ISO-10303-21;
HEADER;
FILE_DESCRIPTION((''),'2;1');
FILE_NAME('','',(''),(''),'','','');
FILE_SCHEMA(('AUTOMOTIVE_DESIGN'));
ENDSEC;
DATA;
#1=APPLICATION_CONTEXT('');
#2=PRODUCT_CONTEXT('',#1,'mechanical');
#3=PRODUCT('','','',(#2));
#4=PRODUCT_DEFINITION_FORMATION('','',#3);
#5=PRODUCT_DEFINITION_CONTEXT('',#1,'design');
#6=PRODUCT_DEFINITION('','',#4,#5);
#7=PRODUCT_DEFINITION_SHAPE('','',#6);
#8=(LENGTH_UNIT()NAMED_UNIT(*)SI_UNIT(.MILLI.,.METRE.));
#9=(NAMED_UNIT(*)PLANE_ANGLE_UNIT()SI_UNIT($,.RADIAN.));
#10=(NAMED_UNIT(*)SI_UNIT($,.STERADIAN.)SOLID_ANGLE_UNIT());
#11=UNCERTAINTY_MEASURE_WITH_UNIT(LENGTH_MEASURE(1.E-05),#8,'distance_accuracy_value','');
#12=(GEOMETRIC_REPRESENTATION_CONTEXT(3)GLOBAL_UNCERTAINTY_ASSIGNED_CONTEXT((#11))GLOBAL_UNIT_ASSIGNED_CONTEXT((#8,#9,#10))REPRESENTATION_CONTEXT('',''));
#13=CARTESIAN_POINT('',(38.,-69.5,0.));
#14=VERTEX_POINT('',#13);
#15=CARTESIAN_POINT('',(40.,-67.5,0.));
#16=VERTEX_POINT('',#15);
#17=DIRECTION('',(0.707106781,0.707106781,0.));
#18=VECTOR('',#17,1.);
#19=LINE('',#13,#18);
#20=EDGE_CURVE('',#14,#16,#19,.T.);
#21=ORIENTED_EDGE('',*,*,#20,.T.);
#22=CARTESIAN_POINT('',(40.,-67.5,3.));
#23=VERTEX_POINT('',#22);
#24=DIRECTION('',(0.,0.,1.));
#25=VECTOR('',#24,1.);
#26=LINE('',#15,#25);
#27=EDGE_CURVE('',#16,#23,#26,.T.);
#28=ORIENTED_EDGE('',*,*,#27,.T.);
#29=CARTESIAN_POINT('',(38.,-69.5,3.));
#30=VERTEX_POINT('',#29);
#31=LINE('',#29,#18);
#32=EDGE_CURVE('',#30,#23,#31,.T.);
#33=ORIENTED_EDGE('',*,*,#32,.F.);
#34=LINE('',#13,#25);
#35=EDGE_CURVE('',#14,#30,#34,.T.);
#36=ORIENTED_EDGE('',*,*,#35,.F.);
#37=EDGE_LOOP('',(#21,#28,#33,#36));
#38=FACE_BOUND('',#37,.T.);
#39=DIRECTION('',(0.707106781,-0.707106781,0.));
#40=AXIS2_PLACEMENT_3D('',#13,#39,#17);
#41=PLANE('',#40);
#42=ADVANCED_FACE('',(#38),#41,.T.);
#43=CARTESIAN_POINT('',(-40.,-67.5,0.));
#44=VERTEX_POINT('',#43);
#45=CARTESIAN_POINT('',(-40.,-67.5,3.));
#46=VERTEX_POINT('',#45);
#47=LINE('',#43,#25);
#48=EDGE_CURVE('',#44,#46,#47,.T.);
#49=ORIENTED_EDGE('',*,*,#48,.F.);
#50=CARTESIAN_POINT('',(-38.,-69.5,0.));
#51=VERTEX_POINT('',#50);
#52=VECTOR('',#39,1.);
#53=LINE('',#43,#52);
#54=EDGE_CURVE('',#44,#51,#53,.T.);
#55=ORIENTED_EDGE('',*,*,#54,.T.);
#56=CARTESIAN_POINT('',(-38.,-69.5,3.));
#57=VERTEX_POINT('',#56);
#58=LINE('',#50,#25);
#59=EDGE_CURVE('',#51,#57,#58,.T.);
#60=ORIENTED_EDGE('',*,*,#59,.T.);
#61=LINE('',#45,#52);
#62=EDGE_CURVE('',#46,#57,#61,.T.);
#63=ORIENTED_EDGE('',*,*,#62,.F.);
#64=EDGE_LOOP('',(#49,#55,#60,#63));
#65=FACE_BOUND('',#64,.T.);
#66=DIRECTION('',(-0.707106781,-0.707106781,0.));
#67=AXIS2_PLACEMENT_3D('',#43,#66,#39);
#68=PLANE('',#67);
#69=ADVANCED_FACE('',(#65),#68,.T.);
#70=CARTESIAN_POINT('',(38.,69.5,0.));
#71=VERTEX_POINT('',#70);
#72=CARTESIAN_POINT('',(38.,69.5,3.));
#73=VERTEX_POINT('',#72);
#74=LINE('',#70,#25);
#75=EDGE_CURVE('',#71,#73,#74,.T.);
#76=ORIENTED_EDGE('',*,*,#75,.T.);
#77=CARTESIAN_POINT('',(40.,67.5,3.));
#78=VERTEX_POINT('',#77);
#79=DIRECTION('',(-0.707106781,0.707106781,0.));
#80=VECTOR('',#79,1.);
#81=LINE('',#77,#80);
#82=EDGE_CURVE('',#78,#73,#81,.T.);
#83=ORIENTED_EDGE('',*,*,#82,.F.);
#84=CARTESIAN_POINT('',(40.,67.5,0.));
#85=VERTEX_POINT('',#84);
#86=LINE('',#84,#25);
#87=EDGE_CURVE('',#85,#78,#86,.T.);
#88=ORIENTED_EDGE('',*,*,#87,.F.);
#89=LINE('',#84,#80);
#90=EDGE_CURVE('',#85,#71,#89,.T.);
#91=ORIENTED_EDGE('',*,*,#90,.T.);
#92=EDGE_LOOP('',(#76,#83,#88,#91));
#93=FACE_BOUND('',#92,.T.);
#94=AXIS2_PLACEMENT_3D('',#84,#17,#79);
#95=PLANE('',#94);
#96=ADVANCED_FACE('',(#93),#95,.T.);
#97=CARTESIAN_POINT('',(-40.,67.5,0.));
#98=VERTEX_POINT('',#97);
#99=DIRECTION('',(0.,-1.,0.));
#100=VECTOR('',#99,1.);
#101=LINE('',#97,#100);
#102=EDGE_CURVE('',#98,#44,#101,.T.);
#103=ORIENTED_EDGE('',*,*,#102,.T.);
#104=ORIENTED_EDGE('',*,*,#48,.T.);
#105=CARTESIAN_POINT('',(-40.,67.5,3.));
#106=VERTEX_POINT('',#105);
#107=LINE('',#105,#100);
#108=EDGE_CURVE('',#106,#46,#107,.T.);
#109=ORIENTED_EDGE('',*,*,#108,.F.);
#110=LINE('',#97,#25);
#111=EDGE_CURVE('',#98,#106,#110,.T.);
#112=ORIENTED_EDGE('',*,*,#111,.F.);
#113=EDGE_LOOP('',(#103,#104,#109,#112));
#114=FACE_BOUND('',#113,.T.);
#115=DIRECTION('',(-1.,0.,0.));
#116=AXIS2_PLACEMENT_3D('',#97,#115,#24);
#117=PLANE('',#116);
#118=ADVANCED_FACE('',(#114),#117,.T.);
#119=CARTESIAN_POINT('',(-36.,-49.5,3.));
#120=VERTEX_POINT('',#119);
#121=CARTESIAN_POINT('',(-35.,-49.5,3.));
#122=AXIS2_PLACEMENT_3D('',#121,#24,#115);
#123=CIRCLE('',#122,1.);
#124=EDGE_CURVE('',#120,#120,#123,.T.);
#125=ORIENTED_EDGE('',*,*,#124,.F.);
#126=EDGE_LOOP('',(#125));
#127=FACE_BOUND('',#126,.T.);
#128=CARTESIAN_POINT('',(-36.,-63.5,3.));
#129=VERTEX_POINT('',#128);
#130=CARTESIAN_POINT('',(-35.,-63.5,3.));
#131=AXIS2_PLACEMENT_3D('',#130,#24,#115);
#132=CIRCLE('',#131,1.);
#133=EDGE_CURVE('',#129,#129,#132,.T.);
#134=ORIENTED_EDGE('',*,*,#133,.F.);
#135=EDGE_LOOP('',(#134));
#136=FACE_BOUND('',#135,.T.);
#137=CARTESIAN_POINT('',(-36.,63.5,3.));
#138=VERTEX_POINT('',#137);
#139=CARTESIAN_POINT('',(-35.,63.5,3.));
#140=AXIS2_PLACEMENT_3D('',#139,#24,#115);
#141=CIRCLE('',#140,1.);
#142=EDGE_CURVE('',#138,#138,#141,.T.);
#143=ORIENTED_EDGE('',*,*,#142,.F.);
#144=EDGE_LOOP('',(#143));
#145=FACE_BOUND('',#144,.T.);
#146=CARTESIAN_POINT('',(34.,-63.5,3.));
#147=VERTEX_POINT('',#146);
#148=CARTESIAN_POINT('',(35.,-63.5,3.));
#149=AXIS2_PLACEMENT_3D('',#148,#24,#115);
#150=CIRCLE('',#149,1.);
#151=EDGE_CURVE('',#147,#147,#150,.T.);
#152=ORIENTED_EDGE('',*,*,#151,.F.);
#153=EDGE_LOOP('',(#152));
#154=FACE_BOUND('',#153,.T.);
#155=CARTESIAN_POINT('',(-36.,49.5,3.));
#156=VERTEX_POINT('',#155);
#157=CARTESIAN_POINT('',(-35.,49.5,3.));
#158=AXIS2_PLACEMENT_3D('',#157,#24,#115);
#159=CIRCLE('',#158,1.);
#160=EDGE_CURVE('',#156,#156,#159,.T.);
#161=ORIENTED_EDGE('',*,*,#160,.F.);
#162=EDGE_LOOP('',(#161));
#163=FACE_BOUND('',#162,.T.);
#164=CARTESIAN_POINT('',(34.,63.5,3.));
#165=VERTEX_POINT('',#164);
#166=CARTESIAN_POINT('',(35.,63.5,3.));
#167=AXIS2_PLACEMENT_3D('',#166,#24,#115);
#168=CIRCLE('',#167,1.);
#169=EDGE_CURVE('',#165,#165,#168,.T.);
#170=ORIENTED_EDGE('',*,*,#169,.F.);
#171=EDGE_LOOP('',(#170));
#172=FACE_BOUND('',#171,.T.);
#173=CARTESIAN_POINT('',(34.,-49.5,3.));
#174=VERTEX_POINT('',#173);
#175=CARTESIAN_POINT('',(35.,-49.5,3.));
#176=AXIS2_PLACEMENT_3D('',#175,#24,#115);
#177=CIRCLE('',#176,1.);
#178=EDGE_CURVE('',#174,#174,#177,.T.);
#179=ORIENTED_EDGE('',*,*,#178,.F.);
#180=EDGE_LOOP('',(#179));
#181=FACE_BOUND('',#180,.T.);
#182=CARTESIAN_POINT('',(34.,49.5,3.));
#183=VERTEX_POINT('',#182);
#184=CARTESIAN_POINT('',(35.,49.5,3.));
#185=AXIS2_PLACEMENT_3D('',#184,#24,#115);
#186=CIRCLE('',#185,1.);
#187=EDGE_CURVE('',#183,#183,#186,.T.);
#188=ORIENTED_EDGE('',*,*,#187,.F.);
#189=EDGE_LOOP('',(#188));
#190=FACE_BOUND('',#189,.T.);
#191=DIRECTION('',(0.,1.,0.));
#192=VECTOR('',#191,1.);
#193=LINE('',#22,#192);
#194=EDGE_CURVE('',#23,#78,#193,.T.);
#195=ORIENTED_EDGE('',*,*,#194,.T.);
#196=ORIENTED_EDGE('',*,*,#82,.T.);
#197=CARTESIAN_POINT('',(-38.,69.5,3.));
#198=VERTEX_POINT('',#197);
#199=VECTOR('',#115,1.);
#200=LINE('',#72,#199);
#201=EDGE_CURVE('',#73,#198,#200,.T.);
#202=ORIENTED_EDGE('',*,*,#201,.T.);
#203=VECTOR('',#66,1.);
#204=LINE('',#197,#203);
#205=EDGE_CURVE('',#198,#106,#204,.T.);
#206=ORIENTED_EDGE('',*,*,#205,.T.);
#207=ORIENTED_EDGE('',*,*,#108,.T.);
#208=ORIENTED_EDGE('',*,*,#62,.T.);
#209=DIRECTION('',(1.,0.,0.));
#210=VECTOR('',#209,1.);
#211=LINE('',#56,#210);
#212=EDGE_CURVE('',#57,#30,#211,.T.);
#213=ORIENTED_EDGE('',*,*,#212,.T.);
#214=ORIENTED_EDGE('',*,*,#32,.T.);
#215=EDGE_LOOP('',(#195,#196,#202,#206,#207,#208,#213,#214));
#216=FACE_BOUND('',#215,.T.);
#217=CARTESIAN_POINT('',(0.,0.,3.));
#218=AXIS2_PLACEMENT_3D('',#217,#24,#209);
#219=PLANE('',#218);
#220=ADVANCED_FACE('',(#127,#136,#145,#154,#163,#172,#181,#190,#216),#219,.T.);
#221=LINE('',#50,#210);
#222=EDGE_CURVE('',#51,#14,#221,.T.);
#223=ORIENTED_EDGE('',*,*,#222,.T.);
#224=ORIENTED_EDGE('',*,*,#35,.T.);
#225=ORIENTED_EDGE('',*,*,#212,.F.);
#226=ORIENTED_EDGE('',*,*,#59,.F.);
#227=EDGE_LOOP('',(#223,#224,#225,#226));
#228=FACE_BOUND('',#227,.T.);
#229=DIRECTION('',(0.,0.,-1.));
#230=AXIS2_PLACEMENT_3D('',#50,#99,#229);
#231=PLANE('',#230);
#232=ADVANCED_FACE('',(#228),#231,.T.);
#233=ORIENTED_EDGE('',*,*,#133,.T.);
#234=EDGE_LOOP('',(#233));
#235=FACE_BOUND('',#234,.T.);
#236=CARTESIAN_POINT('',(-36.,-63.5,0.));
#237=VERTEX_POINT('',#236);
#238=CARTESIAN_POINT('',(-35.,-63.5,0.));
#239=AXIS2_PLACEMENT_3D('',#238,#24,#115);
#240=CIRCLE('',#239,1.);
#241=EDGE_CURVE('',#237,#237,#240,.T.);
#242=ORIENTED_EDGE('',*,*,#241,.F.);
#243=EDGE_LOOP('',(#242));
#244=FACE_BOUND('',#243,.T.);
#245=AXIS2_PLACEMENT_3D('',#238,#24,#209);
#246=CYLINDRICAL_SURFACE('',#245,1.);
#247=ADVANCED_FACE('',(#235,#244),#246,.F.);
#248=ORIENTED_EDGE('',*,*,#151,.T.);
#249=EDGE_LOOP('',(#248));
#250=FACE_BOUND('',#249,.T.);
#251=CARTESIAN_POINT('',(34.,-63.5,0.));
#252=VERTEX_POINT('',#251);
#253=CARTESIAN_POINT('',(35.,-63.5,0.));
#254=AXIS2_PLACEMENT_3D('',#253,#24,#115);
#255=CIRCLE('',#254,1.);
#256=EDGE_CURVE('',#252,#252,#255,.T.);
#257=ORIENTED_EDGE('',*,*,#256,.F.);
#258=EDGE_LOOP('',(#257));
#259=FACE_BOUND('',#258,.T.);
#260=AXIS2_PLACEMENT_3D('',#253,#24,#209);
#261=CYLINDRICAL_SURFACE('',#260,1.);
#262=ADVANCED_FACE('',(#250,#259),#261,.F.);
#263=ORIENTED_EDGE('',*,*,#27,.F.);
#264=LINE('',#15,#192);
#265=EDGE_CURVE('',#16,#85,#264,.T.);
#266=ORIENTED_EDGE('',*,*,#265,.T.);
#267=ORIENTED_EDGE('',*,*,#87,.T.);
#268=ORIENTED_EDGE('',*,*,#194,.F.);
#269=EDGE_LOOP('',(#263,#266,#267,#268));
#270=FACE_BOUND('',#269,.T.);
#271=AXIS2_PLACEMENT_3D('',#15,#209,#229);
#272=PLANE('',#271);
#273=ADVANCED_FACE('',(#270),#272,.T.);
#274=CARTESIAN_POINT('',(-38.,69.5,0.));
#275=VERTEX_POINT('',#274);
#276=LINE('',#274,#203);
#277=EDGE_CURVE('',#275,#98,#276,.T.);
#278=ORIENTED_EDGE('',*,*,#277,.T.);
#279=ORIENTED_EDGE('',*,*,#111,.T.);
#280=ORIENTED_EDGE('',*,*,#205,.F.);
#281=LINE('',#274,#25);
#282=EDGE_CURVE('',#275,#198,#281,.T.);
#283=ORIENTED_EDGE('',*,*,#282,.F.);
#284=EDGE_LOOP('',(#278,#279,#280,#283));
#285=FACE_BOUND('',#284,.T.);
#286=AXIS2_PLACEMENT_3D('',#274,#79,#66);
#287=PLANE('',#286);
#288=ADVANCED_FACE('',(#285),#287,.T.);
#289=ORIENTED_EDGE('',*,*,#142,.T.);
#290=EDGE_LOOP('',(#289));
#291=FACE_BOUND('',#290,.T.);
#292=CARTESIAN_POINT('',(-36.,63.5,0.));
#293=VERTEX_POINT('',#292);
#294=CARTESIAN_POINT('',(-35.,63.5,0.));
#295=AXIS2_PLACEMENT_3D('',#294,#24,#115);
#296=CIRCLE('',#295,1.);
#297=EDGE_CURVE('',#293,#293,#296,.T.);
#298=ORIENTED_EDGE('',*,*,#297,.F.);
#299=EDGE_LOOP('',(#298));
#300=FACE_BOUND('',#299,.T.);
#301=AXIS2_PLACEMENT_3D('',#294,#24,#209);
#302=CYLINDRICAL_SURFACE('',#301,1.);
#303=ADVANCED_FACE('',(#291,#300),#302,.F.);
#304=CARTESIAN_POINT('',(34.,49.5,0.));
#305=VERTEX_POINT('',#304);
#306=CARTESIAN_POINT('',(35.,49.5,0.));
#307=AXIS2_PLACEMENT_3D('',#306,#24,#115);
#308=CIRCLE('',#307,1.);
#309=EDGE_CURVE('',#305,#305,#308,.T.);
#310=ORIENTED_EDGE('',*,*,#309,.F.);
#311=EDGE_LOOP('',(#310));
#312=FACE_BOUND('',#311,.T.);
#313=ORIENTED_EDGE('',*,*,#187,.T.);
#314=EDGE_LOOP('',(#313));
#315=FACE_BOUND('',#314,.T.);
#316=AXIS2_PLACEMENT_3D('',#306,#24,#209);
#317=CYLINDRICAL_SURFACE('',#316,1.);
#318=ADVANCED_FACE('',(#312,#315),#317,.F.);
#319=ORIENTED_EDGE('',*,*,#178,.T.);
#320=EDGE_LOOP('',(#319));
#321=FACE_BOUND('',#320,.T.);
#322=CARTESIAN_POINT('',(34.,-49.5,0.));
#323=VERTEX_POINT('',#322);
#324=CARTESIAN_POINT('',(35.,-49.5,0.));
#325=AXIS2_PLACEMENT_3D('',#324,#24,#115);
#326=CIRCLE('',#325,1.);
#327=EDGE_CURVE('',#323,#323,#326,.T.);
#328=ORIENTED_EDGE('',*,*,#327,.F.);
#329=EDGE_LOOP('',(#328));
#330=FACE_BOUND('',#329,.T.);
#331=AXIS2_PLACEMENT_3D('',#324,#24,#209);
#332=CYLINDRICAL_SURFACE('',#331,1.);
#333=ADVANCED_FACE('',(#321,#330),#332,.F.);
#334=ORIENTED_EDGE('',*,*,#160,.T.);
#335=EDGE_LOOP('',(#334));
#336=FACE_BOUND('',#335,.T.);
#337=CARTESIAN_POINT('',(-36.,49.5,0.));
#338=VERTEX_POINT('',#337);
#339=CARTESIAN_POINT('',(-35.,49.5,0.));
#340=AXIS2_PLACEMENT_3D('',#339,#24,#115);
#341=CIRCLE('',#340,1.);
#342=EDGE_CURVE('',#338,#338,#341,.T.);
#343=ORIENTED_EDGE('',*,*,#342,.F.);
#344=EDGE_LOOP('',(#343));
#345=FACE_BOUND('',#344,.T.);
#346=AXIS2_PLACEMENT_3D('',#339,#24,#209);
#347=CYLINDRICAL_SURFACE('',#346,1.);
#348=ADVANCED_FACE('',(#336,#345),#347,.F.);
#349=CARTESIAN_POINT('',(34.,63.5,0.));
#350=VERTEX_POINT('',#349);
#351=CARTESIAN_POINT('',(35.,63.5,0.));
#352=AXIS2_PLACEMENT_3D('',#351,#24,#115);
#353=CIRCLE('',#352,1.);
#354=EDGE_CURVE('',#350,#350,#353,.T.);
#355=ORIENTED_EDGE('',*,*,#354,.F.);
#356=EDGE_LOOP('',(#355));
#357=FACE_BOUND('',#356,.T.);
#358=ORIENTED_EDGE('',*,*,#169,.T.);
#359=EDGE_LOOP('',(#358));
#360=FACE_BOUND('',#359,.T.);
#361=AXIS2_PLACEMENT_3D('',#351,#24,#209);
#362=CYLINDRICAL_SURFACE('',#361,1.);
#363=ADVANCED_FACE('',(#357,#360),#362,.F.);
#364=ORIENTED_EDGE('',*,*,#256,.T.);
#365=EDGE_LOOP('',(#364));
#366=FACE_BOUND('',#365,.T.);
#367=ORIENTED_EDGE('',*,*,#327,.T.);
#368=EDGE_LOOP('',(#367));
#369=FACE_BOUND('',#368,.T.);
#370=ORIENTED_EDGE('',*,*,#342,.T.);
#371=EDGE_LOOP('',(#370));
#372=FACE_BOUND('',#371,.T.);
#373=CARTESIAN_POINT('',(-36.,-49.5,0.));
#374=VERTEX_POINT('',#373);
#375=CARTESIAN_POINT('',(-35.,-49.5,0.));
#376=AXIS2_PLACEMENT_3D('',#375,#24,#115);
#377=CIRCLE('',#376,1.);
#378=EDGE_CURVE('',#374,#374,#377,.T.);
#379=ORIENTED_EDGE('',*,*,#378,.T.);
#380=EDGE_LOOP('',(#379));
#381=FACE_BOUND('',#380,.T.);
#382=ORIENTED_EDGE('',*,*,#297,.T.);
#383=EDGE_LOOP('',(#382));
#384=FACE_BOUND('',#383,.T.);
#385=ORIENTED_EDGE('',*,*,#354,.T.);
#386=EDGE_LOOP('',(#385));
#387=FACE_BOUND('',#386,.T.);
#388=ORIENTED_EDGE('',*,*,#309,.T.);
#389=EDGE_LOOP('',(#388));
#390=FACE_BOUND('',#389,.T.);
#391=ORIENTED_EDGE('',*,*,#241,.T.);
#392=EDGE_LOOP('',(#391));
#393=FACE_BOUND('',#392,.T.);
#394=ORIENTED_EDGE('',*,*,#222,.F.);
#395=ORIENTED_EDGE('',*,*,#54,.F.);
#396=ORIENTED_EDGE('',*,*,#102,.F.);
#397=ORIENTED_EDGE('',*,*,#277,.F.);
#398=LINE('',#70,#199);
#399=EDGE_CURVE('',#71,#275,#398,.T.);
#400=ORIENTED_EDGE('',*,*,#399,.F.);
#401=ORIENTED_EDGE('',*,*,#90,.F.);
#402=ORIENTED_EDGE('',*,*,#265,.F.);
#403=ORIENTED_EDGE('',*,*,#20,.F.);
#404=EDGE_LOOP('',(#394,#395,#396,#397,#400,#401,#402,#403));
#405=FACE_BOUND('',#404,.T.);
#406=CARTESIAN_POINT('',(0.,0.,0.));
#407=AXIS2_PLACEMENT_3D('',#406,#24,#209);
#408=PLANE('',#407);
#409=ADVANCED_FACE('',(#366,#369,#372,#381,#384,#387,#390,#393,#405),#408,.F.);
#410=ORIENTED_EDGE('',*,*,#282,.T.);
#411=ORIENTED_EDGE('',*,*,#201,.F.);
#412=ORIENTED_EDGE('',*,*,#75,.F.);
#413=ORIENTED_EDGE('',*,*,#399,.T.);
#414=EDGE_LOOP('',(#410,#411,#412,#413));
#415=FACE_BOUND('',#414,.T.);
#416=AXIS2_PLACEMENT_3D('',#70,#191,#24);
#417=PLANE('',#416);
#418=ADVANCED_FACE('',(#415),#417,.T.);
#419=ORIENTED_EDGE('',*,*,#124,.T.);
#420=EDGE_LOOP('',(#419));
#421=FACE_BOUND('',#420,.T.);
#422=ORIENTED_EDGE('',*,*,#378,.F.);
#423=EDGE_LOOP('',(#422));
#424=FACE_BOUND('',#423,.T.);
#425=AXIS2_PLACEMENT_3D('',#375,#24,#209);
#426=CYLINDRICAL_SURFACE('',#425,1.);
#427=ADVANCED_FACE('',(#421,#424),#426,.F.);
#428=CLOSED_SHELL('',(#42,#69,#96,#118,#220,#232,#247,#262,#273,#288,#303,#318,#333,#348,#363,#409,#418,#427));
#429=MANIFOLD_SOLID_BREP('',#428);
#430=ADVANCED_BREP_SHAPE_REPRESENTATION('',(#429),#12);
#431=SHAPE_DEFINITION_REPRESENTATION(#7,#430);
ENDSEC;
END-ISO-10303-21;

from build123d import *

# Parameters (mm, degrees)
SKETCH1_R           = 1
BOSS_EXTRUDE1_DEPTH = 3


with BuildPart() as part:
    # Sketch1 → Boss-Extrude1 (new body)
    with BuildSketch(Plane.XY.offset(3)):
        Polygon((-38, -69.5), (38, -69.5), (40, -67.5), (40, 67.5), (38, 69.5), (-38, 69.5), (-40, 67.5), (-40, -67.5), align=None)
        with Locations(Location((35, 49.5, 0), (0, 0, 180))):
            Circle(SKETCH1_R, mode=Mode.SUBTRACT)
        with Locations(Location((-35, -63.5, 0), (0, 0, 180))):
            Circle(SKETCH1_R, mode=Mode.SUBTRACT)
        with Locations(Location((35, 63.5, 0), (0, 0, 180))):
            Circle(SKETCH1_R, mode=Mode.SUBTRACT)
        with Locations(Location((-35, -49.5, 0), (0, 0, 180))):
            Circle(SKETCH1_R, mode=Mode.SUBTRACT)
        with Locations(Location((-35, 49.5, 0), (0, 0, 180))):
            Circle(SKETCH1_R, mode=Mode.SUBTRACT)
        with Locations(Location((-35, 63.5, 0), (0, 0, 180))):
            Circle(SKETCH1_R, mode=Mode.SUBTRACT)
        with Locations(Location((35, -49.5, 0), (0, 0, 180))):
            Circle(SKETCH1_R, mode=Mode.SUBTRACT)
        with Locations(Location((35, -63.5, 0), (0, 0, 180))):
            Circle(SKETCH1_R, mode=Mode.SUBTRACT)
    extrude(amount=-BOSS_EXTRUDE1_DEPTH)


solid = part.part
